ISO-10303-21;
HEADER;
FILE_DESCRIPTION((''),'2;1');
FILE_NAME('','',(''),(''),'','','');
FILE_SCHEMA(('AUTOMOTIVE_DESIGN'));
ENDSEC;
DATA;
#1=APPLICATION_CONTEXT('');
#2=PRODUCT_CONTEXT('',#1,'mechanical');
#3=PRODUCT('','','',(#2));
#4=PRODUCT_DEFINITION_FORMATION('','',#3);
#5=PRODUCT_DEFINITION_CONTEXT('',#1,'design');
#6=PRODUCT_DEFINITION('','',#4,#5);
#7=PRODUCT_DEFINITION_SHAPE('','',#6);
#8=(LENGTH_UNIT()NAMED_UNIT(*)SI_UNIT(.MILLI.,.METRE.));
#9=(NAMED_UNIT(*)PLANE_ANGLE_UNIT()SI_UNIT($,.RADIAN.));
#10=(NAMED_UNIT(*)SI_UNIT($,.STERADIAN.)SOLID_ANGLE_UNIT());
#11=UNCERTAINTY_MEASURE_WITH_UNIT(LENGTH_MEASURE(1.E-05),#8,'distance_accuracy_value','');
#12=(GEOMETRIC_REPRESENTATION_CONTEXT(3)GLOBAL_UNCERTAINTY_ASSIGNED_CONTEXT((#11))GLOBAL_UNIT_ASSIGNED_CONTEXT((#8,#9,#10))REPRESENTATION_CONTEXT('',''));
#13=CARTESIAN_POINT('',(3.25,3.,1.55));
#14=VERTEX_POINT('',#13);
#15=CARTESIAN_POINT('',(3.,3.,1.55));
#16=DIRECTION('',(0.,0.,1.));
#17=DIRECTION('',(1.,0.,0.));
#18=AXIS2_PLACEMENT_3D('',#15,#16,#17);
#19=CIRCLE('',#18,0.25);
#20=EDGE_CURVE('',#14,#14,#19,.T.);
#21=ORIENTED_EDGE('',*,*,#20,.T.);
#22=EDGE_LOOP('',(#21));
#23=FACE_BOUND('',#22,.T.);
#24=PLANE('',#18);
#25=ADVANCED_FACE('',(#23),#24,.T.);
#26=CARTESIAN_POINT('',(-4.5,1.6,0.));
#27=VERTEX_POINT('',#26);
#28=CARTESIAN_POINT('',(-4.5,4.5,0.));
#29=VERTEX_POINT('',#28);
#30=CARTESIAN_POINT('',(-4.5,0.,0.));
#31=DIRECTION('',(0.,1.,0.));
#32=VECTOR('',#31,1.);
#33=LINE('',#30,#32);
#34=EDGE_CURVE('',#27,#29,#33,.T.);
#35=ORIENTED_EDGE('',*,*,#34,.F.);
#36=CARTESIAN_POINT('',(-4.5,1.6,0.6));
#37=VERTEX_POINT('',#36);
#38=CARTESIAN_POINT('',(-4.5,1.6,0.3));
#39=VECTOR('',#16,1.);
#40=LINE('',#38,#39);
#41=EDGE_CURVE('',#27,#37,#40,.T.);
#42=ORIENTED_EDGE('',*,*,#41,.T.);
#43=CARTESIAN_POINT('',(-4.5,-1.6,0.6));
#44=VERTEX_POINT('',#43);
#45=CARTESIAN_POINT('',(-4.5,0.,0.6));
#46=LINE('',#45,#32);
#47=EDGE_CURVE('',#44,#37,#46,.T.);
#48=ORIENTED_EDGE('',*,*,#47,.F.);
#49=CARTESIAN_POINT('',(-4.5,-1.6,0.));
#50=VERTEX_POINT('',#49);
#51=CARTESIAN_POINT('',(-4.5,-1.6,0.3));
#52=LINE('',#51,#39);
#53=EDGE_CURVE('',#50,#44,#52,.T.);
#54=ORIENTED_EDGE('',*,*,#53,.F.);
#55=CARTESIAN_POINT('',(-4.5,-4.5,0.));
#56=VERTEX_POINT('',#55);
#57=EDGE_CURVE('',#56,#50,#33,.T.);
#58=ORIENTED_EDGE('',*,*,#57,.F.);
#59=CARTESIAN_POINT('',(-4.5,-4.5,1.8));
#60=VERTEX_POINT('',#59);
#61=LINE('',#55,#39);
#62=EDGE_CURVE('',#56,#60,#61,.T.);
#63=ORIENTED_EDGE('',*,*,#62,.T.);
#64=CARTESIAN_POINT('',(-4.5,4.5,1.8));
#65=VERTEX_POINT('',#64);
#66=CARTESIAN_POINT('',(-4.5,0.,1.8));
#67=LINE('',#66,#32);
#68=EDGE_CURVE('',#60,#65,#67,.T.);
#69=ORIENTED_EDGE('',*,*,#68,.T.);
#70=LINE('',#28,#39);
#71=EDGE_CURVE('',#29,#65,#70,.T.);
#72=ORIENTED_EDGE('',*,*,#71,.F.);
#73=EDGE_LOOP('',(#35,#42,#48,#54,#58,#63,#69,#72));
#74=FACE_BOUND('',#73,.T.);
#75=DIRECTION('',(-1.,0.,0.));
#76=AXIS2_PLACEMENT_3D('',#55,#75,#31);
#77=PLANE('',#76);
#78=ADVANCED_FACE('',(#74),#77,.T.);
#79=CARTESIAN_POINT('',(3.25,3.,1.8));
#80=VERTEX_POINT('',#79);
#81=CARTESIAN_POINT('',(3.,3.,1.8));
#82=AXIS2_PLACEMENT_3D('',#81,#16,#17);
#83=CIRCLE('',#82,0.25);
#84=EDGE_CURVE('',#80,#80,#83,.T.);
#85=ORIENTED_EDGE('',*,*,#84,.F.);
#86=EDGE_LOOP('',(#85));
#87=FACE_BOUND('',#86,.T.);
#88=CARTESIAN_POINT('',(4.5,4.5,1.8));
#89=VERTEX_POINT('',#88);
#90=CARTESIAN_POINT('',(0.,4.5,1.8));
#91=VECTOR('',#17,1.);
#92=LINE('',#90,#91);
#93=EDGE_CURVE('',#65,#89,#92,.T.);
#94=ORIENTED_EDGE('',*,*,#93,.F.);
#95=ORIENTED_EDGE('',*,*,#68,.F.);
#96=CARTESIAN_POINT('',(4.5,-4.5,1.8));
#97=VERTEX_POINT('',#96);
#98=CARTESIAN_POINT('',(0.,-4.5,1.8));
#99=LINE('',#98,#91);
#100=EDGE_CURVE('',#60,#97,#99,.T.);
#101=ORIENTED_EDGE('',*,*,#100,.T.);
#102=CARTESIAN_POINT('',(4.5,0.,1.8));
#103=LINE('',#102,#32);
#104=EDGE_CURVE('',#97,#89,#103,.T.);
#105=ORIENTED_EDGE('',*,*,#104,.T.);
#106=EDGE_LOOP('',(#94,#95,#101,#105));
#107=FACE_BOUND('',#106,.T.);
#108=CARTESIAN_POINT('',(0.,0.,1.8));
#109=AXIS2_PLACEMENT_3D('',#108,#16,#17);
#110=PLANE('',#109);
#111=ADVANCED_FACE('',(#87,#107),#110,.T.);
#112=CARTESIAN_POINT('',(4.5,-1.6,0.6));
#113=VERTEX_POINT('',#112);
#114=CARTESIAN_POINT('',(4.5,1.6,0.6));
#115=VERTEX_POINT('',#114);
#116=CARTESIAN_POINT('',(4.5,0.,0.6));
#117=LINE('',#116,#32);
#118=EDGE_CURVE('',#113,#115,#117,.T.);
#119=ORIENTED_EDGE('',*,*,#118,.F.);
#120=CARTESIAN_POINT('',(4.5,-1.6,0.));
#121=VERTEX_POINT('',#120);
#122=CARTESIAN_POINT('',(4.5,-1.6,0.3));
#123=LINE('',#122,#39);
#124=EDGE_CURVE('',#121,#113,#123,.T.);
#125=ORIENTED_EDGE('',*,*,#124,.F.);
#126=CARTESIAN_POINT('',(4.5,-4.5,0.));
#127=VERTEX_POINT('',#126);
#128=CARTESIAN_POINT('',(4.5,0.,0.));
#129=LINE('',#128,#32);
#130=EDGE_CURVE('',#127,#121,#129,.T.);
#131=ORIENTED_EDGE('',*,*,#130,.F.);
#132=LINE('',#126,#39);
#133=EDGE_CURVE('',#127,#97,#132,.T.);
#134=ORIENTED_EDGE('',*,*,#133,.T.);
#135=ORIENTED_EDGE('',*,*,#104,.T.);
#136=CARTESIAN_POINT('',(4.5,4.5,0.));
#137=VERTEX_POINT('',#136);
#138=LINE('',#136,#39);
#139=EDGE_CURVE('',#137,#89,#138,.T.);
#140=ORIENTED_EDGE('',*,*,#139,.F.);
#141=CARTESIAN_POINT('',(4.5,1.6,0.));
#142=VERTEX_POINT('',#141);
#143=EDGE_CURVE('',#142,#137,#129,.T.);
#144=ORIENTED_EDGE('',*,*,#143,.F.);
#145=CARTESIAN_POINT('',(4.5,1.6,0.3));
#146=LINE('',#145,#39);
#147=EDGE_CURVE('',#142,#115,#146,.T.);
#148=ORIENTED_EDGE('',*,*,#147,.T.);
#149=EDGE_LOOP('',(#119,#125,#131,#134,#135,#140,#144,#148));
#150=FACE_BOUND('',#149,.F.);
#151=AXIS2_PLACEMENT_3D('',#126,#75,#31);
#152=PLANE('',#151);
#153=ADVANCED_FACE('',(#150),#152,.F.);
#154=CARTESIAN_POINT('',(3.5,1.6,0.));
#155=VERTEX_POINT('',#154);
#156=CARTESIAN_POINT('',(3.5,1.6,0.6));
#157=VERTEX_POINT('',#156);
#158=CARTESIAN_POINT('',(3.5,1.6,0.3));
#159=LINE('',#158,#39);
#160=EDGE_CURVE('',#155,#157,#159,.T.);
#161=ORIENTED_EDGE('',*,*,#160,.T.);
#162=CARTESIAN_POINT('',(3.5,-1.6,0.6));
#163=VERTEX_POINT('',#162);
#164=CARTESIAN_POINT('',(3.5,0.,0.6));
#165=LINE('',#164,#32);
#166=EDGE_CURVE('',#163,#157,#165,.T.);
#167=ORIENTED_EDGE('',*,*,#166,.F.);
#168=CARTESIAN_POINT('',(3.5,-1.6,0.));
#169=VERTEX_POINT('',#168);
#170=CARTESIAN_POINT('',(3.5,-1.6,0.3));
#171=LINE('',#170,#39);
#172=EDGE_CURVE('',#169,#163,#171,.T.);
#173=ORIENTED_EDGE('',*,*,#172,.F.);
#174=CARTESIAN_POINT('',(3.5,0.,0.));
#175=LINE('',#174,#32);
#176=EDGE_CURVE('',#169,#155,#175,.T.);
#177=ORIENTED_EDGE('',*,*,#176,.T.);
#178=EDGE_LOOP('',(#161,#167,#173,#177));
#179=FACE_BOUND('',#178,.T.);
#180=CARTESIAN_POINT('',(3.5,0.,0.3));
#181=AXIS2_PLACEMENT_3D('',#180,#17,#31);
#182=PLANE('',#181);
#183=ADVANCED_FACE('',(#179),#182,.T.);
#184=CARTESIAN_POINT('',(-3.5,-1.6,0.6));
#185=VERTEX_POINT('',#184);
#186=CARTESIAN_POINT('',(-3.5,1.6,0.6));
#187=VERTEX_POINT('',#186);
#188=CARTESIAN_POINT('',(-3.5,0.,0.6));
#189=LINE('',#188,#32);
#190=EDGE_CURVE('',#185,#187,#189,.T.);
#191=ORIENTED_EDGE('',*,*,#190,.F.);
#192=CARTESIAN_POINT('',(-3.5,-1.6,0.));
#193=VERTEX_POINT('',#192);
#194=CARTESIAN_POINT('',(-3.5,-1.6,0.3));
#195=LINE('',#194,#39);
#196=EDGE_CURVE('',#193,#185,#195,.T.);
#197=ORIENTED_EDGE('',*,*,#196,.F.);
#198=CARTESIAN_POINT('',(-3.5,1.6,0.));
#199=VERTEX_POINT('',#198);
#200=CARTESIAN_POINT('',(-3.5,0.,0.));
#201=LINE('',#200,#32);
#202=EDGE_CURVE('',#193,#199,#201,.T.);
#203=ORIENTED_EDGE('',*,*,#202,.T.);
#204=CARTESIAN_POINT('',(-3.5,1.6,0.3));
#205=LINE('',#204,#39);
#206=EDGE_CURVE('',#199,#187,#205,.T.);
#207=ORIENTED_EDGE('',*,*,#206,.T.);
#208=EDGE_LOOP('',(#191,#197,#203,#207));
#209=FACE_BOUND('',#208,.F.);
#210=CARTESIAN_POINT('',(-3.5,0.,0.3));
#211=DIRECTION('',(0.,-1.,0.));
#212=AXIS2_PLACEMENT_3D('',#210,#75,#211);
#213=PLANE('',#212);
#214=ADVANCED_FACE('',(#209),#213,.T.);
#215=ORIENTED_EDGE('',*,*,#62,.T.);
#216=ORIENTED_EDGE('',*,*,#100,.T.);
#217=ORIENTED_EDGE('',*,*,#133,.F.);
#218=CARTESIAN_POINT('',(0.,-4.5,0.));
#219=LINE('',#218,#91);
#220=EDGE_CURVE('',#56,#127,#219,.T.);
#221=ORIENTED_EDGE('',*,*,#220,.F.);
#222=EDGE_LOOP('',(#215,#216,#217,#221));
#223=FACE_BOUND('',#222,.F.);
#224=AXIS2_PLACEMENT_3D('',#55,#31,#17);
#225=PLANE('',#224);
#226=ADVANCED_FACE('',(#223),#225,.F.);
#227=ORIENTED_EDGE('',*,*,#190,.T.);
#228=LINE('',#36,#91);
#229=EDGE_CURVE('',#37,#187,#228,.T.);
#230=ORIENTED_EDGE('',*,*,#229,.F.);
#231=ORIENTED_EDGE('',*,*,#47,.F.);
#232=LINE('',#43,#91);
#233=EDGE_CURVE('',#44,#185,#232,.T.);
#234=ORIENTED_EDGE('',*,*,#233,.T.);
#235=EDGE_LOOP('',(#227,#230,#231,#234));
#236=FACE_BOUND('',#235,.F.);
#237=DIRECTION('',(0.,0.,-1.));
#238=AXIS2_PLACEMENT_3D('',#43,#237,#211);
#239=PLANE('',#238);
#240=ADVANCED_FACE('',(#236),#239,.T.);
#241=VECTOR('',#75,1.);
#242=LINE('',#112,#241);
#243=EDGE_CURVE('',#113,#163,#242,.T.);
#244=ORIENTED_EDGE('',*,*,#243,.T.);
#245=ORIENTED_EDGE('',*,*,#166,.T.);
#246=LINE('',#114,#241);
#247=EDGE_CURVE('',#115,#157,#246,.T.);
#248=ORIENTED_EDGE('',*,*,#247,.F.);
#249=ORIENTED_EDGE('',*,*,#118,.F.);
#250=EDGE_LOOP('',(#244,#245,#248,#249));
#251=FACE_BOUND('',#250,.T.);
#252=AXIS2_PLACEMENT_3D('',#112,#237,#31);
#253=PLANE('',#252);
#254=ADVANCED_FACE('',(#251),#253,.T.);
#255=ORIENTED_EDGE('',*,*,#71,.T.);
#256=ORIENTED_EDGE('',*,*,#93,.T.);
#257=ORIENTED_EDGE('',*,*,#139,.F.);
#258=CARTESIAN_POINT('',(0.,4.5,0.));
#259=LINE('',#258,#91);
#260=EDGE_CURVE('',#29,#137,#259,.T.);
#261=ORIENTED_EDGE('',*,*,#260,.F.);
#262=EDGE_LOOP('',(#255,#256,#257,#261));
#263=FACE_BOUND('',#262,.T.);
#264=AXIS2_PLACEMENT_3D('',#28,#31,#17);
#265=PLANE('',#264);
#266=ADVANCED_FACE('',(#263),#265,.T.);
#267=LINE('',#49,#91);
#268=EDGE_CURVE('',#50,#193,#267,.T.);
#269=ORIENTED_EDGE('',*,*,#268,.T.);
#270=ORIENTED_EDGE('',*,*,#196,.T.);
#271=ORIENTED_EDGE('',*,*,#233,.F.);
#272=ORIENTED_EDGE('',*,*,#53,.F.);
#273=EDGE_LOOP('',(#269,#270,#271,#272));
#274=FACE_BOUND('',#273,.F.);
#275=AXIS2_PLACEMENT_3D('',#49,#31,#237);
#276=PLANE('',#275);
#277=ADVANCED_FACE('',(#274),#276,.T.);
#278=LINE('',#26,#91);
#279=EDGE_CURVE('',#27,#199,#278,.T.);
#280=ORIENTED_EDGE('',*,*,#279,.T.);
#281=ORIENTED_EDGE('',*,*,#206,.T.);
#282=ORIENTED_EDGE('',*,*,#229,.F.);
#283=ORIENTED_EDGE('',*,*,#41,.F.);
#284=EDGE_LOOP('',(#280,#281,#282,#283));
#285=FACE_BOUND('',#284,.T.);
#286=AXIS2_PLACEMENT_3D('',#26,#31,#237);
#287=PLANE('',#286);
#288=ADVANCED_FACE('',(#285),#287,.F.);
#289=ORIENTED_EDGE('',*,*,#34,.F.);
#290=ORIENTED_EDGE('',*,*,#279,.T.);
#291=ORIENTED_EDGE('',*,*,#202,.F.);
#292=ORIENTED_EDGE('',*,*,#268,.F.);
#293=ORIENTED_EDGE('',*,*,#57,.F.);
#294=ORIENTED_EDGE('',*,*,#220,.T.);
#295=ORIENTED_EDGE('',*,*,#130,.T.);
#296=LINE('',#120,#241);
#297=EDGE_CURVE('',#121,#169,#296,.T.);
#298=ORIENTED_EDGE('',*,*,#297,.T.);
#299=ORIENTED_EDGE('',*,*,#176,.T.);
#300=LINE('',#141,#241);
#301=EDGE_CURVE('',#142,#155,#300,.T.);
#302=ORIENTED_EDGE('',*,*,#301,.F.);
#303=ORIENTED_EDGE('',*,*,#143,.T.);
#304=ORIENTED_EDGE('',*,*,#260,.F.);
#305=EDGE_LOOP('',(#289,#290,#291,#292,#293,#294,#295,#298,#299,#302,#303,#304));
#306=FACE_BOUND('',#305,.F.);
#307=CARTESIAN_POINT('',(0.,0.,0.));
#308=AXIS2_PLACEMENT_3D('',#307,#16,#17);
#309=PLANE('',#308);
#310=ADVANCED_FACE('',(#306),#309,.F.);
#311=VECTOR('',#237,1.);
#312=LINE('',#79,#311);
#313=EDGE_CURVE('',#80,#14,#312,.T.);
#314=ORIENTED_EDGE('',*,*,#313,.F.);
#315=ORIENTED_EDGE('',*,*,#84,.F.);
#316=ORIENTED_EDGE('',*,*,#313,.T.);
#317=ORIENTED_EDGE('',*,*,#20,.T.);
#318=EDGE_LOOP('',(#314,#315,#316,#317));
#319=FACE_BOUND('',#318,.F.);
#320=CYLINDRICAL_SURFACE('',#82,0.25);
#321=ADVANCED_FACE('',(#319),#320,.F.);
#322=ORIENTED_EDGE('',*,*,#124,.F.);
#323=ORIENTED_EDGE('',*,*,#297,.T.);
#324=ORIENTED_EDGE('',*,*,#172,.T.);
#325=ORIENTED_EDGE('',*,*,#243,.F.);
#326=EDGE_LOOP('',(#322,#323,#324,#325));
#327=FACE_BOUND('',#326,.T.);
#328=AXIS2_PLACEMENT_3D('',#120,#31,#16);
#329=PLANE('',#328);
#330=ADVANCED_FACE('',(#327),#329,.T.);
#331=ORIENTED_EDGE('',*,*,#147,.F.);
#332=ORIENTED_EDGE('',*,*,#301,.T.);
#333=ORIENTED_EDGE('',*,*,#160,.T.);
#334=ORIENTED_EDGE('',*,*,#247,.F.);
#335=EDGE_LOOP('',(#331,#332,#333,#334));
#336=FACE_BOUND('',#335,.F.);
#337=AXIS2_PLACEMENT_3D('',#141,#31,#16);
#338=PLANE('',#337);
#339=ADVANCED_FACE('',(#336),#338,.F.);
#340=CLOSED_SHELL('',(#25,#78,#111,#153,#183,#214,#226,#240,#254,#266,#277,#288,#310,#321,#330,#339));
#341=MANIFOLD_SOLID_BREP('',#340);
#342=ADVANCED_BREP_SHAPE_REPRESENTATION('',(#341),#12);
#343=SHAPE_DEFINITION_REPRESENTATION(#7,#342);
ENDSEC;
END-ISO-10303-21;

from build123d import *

# Parameters (mm, degrees)
SKETCH_W        = 9
SKETCH_H        = 9
PAD_DEPTH       = 1.8
SKETCH001_R     = 0.25
POCKET_DEPTH    = 0.25
SKETCH002_W     = 3.2
SKETCH002_H     = 0.6
POCKET001_DEPTH = 1


with BuildPart() as part:
    # Sketch → Pad (new body)
    with BuildSketch(Plane.XY):
        Rectangle(SKETCH_W, SKETCH_H)
    extrude(amount=PAD_DEPTH)

    # Sketch001 (on Face6 of Pad) → Pocket (cut)
    with BuildSketch(Plane.XY.offset(1.8)):
        with Locations((3, 3)):
            Circle(SKETCH001_R)
    extrude(amount=-POCKET_DEPTH, mode=Mode.SUBTRACT)

    # Sketch002 (on Face6 of Pocket) → Pocket001 (cut)
    with BuildSketch(Plane.YZ.offset(4.5)):
        with Locations((0, 0.3)):
            Rectangle(SKETCH002_W, SKETCH002_H)
    pocket001 = extrude(amount=-POCKET001_DEPTH, mode=Mode.SUBTRACT)

    # Mirrored: Pocket001 across YZ
    add(pocket001.mirror(Plane.YZ), mode=Mode.SUBTRACT)


solid = part.part
